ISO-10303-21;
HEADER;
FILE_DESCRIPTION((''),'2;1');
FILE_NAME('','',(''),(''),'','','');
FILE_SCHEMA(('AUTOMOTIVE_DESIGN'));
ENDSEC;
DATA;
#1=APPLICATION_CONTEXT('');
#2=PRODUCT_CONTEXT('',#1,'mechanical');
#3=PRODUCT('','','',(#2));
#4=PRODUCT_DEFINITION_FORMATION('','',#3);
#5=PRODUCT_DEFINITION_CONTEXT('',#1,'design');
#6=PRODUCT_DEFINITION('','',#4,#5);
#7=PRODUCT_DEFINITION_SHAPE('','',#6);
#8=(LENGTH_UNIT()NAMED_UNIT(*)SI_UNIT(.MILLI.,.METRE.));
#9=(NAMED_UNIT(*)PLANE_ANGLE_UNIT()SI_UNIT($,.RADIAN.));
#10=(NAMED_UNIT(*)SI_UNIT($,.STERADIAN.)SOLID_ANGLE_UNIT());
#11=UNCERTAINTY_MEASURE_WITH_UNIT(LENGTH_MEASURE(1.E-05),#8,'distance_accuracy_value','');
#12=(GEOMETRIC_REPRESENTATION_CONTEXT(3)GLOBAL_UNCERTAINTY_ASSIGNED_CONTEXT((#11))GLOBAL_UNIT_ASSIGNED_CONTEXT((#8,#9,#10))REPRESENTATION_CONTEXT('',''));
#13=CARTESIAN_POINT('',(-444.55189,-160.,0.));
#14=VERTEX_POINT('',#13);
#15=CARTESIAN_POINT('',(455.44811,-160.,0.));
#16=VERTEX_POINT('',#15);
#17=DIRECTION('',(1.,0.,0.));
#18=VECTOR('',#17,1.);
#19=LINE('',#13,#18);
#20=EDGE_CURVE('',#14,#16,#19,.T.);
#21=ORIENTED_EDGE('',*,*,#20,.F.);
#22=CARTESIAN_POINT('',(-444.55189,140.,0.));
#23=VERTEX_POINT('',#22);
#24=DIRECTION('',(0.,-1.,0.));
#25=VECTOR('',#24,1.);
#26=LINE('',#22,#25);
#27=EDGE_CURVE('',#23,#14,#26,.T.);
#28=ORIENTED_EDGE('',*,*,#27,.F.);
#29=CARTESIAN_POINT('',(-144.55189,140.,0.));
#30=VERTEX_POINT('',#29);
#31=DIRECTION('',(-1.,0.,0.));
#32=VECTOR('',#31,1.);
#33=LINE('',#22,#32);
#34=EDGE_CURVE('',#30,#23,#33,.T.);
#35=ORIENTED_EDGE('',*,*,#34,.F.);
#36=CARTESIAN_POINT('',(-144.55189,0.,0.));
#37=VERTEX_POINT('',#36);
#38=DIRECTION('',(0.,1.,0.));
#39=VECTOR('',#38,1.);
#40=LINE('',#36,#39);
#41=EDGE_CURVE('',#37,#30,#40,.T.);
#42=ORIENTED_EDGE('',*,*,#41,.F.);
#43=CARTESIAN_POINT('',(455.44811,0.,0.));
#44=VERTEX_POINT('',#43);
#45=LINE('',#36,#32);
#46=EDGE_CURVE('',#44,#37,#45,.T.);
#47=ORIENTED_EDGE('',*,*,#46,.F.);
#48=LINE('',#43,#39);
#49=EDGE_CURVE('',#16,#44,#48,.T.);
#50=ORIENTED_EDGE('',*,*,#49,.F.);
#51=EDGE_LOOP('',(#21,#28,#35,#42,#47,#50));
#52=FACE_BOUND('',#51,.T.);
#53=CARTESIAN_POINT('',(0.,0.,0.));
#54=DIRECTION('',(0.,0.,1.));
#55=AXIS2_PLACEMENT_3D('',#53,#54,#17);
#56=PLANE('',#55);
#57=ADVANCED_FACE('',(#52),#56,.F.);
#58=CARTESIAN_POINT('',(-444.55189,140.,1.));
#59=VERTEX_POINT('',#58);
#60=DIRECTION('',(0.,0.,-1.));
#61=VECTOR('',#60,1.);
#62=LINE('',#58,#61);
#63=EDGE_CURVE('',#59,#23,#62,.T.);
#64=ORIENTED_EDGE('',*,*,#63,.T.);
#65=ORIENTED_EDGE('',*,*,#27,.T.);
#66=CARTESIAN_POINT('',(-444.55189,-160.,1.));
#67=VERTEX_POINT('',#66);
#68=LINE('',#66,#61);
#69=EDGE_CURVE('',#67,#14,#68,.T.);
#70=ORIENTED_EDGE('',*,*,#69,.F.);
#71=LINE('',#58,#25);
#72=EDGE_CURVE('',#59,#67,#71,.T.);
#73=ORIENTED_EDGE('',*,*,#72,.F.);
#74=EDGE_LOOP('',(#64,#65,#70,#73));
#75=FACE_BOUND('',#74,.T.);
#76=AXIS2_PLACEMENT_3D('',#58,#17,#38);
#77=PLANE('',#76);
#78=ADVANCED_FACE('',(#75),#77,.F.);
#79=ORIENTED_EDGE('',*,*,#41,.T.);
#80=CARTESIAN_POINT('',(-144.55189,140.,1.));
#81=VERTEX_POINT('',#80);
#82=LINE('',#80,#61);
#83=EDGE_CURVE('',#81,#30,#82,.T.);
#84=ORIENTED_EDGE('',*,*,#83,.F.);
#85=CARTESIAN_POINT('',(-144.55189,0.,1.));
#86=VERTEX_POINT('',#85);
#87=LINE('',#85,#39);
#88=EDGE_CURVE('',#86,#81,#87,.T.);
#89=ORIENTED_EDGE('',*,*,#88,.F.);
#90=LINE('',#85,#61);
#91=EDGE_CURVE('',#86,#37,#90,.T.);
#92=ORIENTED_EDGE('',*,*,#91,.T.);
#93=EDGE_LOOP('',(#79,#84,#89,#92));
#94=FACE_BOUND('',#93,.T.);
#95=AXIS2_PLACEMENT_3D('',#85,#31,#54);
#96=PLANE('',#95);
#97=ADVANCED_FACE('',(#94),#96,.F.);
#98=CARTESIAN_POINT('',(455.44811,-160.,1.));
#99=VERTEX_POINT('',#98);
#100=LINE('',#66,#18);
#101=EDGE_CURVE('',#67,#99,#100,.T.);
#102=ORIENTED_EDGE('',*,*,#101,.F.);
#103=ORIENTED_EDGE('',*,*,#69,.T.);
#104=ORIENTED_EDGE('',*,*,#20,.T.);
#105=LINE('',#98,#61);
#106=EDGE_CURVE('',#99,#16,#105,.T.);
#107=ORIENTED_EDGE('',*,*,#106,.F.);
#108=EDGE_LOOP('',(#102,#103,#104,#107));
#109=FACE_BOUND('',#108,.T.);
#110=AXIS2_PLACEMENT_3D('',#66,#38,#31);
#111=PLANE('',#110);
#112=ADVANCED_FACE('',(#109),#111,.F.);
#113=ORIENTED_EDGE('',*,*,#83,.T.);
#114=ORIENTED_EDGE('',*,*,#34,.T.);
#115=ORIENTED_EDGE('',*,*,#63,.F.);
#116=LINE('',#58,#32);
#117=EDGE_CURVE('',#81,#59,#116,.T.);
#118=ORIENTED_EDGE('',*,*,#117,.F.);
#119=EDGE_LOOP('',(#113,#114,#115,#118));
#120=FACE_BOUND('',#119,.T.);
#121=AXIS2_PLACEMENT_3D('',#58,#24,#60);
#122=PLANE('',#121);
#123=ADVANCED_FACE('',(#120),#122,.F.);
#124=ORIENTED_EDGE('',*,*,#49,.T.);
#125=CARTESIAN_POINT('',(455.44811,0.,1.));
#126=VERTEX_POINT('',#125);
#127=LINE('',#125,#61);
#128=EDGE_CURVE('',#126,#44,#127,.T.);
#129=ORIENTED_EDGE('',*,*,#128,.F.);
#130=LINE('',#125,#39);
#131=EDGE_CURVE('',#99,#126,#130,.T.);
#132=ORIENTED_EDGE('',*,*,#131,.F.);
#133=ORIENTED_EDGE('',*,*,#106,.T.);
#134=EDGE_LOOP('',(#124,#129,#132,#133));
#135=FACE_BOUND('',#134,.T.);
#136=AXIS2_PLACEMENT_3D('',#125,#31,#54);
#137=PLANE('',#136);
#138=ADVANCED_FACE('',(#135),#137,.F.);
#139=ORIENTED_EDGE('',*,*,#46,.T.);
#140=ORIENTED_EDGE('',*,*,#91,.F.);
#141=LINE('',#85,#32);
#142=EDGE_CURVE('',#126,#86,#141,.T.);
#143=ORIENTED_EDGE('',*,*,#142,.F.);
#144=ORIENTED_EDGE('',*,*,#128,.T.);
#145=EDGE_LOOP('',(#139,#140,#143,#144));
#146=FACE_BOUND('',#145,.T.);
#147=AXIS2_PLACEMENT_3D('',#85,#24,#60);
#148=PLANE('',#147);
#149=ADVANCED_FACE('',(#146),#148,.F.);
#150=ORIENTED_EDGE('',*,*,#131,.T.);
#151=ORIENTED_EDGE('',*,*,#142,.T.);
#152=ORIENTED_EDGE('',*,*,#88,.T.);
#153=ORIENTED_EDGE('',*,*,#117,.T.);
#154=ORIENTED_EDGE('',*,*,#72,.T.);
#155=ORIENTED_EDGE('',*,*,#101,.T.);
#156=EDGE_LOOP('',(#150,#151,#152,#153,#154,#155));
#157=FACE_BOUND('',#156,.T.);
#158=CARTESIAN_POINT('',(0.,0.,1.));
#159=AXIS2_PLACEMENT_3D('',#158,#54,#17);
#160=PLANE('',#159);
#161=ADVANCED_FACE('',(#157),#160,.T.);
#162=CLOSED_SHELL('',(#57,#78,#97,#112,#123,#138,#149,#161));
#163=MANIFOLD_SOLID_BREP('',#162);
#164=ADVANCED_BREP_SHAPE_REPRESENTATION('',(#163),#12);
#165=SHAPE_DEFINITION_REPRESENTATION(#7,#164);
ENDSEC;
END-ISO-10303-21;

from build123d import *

# Parameters (mm, degrees)
BOSS_EXTRUDE1_DEPTH = 1


with BuildPart() as part:
    # Sketch1 → Boss-Extrude1 (new body)
    with BuildSketch(Plane.XY):
        Polygon((-444.551889529, 140), (-444.551889529, -160), (455.448110471, -160), (455.448110471, 0), (-144.551889529, 0), (-144.551889529, 140), align=None)
    extrude(amount=BOSS_EXTRUDE1_DEPTH)


solid = part.part
